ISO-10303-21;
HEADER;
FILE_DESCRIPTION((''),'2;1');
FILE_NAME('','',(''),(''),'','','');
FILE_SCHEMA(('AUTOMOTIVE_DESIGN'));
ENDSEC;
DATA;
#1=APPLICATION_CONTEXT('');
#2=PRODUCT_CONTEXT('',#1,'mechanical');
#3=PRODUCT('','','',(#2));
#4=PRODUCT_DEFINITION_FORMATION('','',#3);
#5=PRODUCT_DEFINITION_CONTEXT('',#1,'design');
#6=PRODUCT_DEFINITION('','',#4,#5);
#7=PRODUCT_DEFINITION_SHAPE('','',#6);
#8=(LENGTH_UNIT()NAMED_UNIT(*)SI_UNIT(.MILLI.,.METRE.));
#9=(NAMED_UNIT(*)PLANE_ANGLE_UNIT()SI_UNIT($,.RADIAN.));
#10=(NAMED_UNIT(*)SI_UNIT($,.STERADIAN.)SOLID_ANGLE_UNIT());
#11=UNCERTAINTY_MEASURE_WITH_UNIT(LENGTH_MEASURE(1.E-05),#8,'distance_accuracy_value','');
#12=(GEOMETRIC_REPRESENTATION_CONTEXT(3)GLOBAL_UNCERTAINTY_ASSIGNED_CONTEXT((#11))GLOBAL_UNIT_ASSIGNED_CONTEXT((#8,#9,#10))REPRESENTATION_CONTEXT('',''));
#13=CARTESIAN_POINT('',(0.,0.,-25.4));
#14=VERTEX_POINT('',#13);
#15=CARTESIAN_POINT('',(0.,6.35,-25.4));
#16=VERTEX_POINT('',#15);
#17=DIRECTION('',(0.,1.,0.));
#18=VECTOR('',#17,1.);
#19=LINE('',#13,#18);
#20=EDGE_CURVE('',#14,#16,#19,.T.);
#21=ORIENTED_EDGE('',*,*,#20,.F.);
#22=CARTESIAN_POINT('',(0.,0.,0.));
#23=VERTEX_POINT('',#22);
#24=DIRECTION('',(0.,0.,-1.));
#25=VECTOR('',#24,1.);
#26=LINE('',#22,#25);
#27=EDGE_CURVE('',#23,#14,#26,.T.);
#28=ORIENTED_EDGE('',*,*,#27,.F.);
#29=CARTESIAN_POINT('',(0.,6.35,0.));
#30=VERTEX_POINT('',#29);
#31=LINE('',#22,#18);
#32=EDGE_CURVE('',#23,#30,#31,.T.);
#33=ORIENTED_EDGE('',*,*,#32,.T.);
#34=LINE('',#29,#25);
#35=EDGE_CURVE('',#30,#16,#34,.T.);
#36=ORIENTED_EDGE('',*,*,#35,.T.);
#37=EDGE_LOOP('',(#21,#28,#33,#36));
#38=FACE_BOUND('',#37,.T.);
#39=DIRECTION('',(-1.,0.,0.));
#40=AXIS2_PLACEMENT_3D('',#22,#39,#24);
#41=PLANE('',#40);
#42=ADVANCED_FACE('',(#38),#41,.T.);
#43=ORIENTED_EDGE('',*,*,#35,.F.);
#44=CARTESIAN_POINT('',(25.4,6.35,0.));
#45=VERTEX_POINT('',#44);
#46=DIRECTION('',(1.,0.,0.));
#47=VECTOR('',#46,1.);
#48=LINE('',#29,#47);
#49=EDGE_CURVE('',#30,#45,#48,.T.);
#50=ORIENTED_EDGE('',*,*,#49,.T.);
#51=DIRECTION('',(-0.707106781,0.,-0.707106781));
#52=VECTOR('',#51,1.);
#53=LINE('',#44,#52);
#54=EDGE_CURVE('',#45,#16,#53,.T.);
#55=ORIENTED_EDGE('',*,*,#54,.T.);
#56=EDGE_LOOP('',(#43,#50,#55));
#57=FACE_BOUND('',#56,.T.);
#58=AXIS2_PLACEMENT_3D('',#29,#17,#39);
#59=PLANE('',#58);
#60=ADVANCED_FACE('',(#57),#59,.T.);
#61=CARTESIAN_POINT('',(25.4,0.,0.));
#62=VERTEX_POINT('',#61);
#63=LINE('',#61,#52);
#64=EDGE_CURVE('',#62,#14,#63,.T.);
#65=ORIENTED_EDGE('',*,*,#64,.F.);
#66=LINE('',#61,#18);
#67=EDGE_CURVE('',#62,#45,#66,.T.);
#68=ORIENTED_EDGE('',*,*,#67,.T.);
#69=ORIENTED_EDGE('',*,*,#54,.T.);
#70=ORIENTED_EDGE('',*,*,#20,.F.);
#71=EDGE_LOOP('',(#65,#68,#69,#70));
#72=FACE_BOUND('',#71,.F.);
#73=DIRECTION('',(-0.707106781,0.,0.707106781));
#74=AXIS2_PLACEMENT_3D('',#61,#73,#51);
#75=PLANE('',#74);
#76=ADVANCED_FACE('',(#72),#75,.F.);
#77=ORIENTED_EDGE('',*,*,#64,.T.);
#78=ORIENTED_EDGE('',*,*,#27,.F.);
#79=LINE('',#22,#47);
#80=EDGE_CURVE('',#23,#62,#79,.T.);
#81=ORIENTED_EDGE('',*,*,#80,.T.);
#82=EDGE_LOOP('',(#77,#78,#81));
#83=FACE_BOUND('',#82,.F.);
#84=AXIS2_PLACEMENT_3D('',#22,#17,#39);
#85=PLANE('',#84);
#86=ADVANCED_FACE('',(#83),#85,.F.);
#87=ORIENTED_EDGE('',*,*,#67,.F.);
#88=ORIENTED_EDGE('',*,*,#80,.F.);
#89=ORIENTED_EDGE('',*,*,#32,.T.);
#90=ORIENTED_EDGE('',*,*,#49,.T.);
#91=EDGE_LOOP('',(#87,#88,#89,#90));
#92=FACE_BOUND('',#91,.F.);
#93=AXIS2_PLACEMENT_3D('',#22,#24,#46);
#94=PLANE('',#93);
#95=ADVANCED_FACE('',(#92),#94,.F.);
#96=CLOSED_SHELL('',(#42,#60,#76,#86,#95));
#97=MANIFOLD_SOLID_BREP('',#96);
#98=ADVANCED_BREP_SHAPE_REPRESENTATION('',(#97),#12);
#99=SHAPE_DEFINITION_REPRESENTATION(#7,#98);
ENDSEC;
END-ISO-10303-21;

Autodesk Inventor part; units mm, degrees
ref_plane "YZ Plane" through (0, 0, 0) normal (1, 0, 0) x (0, 1, 0)
ref_plane "XZ Plane" through (0, 0, 0) normal (0, 1, 0) x (-1, 0, 0)
ref_plane "XY Plane" through (0, 0, 0) normal (0, 0, 1) x (1, 0, 0)
sketch "Sketch1" plane through (0, 0, 0) normal (0, 1, 0) x (-1, 0, 0)
  line L0 (0, 0) -> (0, -25.4)
  line L1 (0, 0) -> (-25.4, 0)
  line L2 (-25.4, 0) -> (0, -25.4)
  dimension "d0" = 25.4
  dimension "d1" = 25.4
extrude "Extrusion1" add sketch "Sketch1" along normal blind 6.35
properties part number "SupportWedge" material "Wood (Birch)"
